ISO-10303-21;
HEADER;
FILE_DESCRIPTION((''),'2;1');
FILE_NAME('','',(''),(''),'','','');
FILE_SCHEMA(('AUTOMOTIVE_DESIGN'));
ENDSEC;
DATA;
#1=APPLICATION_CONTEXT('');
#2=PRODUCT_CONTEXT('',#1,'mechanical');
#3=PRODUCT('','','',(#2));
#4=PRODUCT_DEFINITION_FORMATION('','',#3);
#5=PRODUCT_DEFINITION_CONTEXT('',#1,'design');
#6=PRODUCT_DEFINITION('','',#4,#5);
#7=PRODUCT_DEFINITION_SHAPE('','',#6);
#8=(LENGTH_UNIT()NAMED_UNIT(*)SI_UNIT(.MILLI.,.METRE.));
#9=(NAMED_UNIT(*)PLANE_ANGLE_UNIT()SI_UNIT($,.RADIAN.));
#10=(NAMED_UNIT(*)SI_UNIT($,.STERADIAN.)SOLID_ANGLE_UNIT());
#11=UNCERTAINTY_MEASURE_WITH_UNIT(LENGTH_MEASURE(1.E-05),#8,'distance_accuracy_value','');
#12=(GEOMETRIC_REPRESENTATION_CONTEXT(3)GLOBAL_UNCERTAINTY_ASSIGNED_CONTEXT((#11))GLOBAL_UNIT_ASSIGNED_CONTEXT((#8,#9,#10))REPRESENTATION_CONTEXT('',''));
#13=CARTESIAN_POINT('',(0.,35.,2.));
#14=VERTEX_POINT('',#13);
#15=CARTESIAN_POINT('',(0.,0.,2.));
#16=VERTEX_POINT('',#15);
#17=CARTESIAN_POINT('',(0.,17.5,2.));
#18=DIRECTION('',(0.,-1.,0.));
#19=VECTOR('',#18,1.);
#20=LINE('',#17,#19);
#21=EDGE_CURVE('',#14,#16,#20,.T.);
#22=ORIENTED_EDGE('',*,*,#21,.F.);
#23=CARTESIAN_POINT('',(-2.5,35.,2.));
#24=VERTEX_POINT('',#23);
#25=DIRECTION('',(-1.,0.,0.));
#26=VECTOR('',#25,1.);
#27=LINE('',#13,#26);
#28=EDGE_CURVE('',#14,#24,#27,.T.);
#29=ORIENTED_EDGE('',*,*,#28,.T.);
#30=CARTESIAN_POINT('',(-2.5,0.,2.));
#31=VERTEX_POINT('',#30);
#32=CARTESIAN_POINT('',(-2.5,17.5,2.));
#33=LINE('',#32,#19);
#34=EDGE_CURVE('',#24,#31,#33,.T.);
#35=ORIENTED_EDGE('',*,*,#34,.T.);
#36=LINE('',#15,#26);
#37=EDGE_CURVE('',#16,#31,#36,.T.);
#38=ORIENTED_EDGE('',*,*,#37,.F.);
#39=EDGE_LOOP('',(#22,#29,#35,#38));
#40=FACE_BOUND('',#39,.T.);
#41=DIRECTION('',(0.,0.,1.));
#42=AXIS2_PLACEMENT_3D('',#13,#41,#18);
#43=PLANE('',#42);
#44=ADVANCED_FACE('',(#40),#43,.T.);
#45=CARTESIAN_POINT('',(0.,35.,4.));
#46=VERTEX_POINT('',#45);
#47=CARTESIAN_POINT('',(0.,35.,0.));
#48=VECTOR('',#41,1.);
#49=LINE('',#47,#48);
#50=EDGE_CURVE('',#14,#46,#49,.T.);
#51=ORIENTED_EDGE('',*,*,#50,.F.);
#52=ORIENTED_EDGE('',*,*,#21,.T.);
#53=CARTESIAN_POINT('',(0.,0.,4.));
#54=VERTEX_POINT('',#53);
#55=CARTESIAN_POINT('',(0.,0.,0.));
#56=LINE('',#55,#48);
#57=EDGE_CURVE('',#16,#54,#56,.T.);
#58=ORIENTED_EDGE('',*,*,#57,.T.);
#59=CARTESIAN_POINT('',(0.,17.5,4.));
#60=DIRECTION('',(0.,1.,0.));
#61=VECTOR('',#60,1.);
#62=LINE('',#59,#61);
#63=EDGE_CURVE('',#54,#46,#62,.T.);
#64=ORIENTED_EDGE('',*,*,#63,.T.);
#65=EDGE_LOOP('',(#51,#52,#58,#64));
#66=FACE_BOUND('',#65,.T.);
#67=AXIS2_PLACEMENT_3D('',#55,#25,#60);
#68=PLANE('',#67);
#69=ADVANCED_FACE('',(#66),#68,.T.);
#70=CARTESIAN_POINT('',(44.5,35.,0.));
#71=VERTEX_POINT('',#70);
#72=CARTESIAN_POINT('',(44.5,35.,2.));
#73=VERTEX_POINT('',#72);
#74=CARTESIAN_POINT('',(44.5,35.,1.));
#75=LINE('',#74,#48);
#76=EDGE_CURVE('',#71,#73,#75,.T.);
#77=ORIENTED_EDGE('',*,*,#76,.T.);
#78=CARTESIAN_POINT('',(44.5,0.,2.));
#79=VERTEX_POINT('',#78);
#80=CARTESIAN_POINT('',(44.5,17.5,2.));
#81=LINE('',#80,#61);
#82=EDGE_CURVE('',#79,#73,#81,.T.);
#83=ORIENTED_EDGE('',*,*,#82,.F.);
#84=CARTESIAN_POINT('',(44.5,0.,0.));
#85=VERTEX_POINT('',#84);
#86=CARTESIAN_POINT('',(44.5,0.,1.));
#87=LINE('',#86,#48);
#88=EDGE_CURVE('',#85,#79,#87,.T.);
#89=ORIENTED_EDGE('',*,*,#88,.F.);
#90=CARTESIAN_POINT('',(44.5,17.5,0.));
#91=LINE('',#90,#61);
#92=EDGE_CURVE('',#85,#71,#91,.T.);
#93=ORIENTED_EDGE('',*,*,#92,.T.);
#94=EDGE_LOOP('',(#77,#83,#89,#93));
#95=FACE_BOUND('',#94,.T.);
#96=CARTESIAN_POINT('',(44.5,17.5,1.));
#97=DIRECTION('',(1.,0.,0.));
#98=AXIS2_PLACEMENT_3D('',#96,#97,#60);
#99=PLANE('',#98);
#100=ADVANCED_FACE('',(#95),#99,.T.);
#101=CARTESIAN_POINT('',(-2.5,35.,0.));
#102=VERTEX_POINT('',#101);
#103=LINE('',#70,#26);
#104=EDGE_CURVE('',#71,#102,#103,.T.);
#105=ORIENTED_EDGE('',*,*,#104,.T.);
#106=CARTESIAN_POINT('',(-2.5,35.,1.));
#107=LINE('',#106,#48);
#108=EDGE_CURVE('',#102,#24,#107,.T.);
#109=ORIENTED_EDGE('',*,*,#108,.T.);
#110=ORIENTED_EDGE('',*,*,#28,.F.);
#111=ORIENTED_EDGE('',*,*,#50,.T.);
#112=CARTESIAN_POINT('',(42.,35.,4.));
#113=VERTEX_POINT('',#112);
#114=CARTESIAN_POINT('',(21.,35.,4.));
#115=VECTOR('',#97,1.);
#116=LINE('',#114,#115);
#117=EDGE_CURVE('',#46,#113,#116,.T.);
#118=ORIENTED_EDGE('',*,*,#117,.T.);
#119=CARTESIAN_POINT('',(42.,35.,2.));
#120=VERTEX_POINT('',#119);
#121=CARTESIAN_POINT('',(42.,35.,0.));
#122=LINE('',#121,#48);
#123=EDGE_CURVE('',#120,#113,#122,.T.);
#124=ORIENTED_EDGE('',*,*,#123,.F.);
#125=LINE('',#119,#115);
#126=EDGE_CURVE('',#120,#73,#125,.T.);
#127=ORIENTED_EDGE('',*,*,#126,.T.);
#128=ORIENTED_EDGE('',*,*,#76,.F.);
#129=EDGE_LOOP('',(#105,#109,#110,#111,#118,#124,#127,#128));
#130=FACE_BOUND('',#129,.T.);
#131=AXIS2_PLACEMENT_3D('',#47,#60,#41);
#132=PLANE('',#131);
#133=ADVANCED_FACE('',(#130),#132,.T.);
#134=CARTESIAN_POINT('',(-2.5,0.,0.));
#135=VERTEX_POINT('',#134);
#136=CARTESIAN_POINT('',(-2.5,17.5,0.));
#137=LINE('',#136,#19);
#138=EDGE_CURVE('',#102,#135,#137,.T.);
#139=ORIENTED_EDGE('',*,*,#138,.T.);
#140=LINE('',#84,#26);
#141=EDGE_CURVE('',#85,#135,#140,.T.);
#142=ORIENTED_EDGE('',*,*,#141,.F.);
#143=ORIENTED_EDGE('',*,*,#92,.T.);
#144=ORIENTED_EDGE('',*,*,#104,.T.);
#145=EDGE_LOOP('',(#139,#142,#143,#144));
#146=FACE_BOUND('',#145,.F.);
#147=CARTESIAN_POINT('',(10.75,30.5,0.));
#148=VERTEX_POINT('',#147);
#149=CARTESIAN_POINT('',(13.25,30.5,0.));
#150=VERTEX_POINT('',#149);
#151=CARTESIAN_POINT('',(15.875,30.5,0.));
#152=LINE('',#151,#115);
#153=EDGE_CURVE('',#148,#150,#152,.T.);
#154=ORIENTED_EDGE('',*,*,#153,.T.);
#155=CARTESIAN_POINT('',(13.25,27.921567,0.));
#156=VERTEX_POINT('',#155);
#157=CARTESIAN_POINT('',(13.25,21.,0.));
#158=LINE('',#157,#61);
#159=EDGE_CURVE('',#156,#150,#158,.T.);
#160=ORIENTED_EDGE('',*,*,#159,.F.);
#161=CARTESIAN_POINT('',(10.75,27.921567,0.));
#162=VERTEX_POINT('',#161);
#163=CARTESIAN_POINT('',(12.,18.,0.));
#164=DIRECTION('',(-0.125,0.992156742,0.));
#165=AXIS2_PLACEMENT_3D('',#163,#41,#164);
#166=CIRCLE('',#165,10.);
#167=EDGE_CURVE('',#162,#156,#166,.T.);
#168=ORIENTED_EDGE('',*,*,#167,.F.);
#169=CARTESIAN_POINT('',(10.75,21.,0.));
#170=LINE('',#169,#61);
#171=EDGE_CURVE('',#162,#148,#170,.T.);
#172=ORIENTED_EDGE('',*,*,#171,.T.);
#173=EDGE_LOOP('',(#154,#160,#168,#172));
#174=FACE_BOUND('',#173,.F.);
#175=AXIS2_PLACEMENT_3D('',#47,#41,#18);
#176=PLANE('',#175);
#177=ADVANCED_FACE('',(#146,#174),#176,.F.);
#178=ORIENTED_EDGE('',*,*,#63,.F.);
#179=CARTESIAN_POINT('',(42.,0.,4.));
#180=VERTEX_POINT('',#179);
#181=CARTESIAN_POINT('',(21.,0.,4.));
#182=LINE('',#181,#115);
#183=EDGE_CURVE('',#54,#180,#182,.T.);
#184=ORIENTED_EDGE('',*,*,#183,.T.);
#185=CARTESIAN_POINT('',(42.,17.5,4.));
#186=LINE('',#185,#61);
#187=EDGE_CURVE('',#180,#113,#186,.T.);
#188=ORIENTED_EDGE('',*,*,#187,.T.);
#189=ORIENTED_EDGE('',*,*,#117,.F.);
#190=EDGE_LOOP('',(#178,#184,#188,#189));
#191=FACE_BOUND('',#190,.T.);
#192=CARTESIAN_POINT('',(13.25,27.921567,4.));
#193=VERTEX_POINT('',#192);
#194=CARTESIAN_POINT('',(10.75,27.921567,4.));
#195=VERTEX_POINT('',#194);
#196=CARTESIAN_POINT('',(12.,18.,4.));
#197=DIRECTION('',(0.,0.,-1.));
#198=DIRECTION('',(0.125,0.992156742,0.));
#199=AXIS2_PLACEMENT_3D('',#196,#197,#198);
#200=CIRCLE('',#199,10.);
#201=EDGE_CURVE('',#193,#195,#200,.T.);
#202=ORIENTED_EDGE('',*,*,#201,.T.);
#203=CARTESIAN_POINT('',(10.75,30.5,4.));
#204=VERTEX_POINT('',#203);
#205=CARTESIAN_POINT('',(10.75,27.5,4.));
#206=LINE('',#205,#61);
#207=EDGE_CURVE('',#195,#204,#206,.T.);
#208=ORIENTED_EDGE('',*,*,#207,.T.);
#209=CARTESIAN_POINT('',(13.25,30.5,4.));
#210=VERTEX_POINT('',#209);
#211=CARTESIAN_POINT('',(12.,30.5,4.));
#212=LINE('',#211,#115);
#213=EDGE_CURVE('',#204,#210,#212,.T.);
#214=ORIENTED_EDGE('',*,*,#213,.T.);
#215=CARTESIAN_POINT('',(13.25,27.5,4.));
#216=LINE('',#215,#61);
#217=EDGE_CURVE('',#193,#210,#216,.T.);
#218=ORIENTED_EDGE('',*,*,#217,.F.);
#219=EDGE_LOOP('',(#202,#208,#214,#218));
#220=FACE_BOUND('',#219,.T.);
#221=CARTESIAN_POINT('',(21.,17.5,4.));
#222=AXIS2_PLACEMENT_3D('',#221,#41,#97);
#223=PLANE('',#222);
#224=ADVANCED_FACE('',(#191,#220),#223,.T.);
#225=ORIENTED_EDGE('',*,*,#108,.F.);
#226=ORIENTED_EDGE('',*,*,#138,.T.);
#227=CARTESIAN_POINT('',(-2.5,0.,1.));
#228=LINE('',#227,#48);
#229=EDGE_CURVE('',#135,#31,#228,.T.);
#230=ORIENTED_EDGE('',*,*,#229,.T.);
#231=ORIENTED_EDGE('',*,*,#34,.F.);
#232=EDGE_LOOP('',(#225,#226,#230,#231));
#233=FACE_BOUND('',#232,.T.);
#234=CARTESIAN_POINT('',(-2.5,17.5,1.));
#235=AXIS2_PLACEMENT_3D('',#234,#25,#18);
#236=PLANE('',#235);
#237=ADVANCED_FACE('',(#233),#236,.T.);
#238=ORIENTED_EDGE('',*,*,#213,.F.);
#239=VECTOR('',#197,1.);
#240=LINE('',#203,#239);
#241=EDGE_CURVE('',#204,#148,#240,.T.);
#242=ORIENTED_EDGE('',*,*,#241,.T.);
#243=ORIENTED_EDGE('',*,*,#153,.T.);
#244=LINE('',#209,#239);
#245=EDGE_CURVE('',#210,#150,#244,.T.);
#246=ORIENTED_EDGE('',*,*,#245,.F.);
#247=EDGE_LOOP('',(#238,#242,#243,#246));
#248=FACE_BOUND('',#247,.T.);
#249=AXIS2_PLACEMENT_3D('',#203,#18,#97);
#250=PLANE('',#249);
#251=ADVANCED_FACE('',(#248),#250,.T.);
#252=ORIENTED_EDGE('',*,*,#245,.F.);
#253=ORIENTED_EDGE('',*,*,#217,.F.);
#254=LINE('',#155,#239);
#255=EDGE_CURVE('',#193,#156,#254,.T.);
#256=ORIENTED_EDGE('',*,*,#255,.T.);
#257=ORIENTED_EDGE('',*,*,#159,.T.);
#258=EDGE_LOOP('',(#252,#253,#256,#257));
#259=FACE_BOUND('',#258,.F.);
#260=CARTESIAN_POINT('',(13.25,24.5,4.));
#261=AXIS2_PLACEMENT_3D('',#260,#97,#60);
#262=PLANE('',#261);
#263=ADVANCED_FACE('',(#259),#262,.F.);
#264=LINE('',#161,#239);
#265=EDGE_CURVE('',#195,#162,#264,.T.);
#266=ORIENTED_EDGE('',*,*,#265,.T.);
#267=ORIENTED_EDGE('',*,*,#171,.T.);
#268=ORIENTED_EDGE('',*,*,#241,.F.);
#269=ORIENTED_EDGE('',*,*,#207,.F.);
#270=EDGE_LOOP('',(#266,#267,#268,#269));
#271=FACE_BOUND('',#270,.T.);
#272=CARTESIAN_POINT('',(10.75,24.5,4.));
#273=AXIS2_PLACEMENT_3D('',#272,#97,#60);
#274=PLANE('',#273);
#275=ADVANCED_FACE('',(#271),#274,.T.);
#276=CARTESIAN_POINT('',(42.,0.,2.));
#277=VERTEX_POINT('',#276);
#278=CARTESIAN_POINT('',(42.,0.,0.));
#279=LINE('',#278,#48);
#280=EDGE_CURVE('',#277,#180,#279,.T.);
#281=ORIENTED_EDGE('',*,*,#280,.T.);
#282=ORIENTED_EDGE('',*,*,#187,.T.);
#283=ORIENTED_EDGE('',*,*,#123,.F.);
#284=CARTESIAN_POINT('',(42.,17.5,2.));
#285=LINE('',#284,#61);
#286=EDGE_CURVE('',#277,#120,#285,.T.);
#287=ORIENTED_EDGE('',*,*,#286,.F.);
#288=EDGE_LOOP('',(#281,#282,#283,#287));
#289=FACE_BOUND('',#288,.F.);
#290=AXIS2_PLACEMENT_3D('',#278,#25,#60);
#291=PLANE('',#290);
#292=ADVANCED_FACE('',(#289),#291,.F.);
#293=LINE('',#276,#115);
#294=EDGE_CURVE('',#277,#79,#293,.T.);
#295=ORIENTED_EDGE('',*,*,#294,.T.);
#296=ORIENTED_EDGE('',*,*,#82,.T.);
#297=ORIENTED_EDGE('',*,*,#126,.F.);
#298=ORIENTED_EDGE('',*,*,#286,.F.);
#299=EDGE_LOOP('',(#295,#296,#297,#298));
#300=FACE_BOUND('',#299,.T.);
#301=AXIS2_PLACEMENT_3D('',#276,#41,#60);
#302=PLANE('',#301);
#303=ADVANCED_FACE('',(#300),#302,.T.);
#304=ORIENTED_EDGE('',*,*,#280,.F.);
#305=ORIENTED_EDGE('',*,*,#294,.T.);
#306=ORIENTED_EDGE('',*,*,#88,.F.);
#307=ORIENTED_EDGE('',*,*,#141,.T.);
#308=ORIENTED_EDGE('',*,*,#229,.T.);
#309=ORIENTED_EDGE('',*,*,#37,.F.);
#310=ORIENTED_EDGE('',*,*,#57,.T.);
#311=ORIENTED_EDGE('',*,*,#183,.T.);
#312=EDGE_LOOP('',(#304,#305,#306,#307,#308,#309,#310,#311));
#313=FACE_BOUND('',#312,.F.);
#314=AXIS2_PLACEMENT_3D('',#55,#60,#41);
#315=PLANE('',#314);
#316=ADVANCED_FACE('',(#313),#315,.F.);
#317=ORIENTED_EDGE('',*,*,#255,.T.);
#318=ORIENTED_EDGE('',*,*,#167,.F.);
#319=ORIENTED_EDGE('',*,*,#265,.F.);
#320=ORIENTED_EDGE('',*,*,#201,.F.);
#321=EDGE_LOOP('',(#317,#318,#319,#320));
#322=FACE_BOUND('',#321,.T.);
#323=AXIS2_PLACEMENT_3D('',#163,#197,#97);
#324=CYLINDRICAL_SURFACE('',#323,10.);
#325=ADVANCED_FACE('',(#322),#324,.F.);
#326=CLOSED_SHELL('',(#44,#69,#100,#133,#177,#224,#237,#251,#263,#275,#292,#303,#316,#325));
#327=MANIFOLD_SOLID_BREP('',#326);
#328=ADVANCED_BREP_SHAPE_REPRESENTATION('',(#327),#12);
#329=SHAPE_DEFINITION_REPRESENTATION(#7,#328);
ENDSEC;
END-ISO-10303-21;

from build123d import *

# Parameters (mm, degrees)
SKETCH_W     = 42
SKETCH_H     = 35
SKETCH_R     = 10
PAD_DEPTH    = 4
SKETCH001_W  = 2.5
SKETCH001_H  = 6
POCKET_DEPTH = 5
SKETCH002_W  = 35
SKETCH002_H  = 2
PAD001_DEPTH = 2.5
SKETCH003_W  = 35
SKETCH003_H  = 2
PAD002_DEPTH = 2.5


with BuildPart() as part:
    # Sketch → Pad (new body)
    with BuildSketch(Plane.XY):
        with Locations((21, 17.5)):
            Rectangle(SKETCH_W, SKETCH_H)
        with Locations((12, 18)):
            Circle(SKETCH_R, mode=Mode.SUBTRACT)
    extrude(amount=PAD_DEPTH)

    # Sketch001 (on Face7 of Pad) → Pocket (cut)
    with BuildSketch(Plane.XY.offset(4)):
        with Locations((12, 27.5)):
            Rectangle(SKETCH001_W, SKETCH001_H)
    extrude(amount=-POCKET_DEPTH, mode=Mode.SUBTRACT)

    # Sketch002 (on Face3 of Pocket) → Pad001 (join)
    with BuildSketch(Plane.YZ.offset(42)):
        with Locations((17.5, 1)):
            Rectangle(SKETCH002_W, SKETCH002_H)
    extrude(amount=PAD001_DEPTH)

    # Sketch003 (on Face2 of Pad001) → Pad002 (join)
    with BuildSketch(Plane(origin=(0, 0, 0), x_dir=(0, -1, 0), z_dir=(-1, 0, 0))):
        with Locations((-17.5, 1)):
            Rectangle(SKETCH003_W, SKETCH003_H)
    extrude(amount=PAD002_DEPTH)


solid = part.part
